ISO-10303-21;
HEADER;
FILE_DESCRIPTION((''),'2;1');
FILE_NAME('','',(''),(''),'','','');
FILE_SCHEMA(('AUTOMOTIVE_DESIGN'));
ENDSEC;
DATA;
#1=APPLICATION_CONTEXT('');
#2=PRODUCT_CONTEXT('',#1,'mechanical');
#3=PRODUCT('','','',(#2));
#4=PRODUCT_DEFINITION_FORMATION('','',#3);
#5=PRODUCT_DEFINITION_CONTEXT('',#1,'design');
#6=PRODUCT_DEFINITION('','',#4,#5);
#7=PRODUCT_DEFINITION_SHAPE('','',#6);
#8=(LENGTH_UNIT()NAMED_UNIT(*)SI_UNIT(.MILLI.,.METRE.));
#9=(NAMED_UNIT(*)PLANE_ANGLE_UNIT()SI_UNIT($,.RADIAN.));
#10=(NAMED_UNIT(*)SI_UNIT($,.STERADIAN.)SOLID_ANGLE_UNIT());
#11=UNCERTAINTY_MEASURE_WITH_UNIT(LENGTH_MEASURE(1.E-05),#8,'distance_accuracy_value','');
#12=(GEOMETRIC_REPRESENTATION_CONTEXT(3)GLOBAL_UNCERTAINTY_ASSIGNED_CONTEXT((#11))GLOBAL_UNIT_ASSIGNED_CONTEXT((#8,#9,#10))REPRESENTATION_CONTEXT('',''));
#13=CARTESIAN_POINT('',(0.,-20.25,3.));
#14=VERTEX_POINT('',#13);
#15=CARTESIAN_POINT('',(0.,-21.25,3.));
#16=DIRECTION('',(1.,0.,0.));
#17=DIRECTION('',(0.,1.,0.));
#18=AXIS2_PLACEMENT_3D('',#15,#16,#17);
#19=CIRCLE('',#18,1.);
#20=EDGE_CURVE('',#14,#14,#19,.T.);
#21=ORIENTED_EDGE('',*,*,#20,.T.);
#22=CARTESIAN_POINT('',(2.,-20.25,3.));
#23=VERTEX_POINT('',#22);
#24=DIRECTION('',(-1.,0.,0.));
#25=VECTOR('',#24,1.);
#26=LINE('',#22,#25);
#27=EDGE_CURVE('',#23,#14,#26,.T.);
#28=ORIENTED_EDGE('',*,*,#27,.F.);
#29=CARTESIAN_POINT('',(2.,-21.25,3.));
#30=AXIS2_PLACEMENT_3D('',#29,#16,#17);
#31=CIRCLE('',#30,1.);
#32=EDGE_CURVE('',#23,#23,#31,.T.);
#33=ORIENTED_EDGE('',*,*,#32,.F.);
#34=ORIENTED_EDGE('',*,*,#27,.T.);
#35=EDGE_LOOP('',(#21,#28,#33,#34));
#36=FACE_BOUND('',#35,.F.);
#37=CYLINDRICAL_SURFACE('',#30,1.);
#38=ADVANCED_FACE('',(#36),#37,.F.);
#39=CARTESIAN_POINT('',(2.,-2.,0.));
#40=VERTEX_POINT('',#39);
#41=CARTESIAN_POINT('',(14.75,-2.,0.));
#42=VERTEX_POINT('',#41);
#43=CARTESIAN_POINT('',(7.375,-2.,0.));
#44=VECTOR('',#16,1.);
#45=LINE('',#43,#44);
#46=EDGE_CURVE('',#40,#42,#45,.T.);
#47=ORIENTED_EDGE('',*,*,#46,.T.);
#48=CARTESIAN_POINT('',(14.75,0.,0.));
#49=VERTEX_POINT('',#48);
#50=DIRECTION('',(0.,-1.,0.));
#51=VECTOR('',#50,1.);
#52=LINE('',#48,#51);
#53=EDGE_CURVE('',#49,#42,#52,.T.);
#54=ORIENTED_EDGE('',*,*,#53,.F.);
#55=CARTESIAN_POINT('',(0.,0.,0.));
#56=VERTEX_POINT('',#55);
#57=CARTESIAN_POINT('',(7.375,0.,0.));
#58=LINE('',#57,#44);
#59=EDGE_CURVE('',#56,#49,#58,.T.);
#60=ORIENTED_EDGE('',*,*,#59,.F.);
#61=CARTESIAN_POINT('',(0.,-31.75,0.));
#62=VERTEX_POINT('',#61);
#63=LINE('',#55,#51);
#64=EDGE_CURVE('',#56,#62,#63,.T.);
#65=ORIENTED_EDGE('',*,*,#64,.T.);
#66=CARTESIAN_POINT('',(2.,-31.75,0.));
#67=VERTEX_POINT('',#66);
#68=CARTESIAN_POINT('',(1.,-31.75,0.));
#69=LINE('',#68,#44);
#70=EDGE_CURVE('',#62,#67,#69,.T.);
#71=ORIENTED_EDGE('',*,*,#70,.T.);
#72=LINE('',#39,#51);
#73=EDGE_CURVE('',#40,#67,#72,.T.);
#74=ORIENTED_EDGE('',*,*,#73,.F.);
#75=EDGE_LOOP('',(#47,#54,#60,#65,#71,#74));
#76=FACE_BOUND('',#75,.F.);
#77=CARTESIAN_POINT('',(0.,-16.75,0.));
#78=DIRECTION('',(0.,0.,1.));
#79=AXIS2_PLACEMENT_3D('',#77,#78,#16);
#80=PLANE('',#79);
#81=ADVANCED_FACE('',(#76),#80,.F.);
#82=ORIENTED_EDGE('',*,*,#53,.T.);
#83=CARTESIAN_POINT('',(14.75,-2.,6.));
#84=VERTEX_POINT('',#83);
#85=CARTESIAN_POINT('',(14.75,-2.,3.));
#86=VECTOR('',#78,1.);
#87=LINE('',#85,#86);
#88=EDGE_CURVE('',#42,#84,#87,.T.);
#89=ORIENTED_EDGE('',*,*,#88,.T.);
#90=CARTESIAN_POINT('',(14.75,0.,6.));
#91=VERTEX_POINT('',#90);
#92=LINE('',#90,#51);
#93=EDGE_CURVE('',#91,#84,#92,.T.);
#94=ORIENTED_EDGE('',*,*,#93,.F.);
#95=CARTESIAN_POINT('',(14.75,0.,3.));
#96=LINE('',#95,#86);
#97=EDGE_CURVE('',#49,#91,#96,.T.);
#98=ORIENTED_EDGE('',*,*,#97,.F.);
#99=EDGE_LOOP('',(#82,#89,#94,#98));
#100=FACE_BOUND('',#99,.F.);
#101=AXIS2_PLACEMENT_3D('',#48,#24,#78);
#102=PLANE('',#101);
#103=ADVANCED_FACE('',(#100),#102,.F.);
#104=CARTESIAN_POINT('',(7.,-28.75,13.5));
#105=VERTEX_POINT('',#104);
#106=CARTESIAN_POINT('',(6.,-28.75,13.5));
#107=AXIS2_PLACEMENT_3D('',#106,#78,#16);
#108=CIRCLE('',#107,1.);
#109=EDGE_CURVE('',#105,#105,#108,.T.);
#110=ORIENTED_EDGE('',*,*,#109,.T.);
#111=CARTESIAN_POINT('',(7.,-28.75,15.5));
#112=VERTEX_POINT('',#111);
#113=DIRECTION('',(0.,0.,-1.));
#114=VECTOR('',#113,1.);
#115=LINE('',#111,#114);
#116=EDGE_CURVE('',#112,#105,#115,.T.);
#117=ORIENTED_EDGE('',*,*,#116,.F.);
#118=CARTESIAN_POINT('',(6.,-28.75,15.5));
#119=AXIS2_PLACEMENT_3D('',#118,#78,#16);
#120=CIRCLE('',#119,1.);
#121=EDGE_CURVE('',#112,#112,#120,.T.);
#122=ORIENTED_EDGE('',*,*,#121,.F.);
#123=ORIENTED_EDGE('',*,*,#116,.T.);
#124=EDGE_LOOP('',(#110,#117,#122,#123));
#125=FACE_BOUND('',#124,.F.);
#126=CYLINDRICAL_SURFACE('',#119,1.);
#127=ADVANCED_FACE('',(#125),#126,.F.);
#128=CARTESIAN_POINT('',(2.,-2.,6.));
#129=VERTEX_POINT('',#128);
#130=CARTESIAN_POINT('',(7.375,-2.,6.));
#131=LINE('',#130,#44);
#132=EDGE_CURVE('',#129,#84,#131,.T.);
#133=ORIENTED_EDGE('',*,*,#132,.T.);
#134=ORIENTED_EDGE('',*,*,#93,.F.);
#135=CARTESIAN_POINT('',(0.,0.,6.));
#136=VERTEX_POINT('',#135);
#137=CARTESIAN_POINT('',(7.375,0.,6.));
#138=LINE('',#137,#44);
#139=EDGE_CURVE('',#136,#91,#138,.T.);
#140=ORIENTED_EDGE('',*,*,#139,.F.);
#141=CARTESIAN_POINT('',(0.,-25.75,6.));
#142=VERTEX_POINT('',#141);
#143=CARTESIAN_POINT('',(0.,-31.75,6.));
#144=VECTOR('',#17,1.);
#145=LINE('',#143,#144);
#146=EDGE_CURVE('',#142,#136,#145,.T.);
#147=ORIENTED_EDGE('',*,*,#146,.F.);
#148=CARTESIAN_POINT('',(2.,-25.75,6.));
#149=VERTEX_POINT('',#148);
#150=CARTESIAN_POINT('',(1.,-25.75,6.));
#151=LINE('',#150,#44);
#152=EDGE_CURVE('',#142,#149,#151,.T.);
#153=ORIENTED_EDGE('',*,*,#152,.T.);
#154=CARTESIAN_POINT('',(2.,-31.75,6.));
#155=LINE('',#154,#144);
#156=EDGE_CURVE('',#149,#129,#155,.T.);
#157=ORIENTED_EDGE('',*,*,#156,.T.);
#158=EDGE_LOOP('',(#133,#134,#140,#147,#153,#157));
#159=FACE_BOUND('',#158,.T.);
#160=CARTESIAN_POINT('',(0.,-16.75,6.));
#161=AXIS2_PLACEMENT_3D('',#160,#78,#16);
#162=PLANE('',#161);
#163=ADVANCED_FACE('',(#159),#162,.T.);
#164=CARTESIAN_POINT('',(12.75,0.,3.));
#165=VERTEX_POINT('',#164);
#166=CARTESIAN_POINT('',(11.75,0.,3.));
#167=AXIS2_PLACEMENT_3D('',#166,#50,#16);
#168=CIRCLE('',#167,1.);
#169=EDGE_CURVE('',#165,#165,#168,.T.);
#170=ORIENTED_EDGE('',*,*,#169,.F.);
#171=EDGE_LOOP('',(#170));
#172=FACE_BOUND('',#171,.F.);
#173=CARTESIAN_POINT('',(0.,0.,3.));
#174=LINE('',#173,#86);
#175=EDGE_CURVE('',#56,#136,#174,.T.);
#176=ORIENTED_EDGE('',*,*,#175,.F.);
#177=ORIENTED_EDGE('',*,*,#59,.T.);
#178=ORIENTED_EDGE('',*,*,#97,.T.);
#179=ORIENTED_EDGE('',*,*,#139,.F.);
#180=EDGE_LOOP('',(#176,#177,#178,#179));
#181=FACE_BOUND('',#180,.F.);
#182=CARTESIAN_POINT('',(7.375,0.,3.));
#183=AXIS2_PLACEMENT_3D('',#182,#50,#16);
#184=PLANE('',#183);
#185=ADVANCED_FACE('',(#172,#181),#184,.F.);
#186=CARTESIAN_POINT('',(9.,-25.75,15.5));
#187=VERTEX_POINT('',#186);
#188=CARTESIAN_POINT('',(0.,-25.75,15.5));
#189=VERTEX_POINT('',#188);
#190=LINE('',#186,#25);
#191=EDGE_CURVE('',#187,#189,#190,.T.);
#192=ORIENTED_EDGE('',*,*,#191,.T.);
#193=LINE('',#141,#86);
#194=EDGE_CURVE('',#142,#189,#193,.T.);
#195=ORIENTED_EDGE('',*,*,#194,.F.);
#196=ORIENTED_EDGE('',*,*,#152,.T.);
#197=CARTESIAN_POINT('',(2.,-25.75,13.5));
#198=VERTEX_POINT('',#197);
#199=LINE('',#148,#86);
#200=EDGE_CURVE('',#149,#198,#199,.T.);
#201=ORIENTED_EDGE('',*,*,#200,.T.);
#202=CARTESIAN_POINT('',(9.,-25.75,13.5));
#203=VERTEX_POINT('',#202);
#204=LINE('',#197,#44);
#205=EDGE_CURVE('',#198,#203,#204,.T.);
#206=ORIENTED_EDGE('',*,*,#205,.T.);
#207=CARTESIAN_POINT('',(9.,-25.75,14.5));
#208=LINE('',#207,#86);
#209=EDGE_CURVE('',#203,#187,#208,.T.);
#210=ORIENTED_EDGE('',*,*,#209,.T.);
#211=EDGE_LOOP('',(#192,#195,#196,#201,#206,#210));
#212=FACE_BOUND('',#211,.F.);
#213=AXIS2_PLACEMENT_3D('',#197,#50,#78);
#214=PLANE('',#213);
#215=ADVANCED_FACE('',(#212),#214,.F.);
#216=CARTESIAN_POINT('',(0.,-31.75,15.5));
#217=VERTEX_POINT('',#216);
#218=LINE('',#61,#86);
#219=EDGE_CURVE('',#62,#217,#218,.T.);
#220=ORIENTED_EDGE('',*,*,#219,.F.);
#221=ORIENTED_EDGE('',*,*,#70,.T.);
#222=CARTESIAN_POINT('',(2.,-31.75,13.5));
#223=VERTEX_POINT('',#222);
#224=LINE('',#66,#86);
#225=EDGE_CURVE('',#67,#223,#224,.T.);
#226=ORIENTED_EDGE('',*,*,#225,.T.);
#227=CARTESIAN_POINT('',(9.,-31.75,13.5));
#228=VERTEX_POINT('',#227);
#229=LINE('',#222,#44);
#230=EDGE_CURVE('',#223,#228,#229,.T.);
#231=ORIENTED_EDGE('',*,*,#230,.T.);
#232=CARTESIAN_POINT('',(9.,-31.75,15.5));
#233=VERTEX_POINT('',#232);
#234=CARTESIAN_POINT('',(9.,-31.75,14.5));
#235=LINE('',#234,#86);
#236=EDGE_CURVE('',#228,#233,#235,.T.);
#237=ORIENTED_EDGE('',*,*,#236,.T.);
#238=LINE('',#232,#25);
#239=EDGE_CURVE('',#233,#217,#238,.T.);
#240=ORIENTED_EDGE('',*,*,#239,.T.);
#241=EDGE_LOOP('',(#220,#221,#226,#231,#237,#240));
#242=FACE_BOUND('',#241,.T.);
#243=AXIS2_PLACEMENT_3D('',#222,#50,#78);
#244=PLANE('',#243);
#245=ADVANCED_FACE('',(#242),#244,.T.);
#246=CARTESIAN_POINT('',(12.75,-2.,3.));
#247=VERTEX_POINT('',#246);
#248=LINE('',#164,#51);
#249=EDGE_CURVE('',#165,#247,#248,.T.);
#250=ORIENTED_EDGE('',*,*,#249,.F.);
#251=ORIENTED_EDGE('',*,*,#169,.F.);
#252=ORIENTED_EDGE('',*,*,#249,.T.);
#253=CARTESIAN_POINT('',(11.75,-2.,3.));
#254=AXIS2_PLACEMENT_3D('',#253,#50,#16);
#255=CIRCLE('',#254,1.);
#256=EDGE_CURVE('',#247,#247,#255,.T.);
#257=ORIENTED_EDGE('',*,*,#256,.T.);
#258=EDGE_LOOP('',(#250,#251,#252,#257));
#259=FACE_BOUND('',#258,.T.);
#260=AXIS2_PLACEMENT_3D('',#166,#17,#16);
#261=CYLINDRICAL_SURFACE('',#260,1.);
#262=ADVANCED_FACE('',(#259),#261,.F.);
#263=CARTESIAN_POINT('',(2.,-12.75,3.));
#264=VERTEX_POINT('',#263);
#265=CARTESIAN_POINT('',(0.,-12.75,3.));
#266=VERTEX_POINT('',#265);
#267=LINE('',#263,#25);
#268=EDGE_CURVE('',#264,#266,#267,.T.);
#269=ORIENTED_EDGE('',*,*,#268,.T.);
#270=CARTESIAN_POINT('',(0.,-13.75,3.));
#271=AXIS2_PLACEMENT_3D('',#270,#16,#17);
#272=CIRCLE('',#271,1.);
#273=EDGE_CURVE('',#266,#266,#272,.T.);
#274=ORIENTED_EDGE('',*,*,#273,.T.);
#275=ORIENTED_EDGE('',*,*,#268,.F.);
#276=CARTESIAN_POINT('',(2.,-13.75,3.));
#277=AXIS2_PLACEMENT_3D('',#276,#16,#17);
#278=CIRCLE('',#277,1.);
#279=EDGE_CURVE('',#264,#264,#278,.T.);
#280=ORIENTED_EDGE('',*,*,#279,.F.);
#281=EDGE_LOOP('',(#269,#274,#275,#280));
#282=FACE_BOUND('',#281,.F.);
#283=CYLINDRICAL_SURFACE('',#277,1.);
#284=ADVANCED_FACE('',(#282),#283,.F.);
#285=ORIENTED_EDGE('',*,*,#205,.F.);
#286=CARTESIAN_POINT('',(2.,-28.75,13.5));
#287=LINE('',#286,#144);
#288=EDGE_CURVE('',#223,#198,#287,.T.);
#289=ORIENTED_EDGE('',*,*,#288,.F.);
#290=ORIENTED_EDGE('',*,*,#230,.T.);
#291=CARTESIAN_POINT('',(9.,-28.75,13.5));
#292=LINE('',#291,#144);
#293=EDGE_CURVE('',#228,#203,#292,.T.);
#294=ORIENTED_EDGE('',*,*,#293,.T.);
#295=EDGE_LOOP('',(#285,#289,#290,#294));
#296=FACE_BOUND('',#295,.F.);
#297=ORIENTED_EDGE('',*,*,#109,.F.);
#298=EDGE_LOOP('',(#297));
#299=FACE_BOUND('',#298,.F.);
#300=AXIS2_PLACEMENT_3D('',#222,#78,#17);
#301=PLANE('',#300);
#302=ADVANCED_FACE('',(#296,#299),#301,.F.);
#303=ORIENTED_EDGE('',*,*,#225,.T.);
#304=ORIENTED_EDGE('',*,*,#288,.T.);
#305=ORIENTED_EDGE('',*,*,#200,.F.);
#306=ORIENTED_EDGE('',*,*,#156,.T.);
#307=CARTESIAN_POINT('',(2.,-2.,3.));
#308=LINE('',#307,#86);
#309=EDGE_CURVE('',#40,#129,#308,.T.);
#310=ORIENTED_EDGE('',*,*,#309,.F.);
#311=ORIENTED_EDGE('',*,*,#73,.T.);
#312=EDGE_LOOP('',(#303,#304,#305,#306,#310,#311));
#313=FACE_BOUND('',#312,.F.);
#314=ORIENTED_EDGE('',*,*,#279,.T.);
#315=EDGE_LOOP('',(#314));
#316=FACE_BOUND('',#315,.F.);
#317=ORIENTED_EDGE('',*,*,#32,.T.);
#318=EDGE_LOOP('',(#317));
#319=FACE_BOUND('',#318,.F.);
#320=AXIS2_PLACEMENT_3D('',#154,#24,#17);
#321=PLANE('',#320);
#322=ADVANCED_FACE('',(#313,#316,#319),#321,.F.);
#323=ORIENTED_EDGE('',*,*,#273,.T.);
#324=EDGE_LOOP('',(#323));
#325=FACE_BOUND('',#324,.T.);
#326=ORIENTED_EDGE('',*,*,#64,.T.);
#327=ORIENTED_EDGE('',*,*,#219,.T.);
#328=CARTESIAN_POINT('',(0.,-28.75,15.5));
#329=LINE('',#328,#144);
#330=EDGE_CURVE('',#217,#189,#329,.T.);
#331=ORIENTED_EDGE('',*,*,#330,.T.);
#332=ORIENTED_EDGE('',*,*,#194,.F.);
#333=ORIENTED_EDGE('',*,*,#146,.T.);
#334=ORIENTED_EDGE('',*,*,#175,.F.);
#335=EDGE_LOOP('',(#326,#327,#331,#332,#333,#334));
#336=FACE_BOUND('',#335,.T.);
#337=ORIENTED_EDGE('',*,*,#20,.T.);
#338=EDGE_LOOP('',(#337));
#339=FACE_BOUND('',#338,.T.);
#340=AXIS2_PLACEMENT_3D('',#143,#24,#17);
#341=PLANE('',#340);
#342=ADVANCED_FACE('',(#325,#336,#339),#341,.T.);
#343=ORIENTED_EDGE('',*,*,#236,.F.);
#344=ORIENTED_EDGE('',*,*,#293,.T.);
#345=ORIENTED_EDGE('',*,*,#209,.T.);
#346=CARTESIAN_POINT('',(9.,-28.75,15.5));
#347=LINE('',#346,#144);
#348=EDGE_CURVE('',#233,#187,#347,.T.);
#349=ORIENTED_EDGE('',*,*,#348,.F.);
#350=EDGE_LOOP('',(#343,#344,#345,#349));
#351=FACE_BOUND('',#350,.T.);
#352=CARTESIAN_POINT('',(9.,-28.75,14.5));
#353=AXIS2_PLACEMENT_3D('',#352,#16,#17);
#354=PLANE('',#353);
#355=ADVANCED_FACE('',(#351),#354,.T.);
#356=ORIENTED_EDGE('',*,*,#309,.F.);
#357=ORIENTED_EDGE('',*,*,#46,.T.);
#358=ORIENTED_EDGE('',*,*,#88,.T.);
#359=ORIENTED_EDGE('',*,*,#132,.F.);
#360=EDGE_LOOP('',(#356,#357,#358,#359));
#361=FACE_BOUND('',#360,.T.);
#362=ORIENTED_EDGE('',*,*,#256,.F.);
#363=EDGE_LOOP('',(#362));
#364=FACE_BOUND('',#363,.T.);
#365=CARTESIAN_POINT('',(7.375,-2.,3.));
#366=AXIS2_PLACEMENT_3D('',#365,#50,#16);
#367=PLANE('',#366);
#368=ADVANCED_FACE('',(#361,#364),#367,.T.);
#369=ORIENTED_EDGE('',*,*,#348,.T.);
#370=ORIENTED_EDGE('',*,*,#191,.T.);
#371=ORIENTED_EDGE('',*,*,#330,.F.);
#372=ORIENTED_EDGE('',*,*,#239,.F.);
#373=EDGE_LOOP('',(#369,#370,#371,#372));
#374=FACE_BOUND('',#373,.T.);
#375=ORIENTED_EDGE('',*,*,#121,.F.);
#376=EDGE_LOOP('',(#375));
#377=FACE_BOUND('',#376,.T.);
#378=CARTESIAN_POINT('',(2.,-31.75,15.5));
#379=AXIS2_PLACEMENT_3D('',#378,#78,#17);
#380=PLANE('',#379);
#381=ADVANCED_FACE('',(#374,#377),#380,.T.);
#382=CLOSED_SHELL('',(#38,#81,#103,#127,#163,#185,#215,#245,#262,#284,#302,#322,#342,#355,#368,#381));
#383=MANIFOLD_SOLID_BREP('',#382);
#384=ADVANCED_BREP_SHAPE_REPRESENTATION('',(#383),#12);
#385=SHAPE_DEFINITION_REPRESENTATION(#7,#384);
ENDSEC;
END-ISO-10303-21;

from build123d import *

# Parameters (mm, degrees)
F0_W      = 14.75
F0_H      = 6
F0_R      = 1
F1_DEPTH  = 2
F2_W      = 2
F2_H      = 6
F3_DEPTH  = 14.75
F4_R      = 1
F5_DEPTH  = 25
F6_W      = 2
F6_H      = 6
F7_DEPTH  = 15
F8_R      = 1
F9_DEPTH  = 25
F10_W     = 2
F10_H     = 6
F11_DEPTH = 9.5
F12_W     = 6
F12_H     = 2
F13_DEPTH = 7
F14_R     = 1
F15_DEPTH = 25


with BuildPart() as f1:
    # F0 (on Front) → F1 (new body)
    with BuildSketch(Plane.XZ):
        with Locations((7.375, 3)):
            Rectangle(F0_W, F0_H)
        with Locations((11.75, 3)):
            Circle(F0_R, mode=Mode.SUBTRACT)
    extrude(amount=F1_DEPTH)

    # F2 (on face) → F3 (join)
    with BuildSketch(Plane.XZ.offset(2)):
        with Locations((1, 3)):
            Rectangle(F2_W, F2_H)
    extrude(amount=F3_DEPTH)

    # F4 (on face) → F5 (cut)
    with BuildSketch(Plane.YZ.offset(2)):
        with Locations((-13.75, 3)):
            Circle(F4_R)
    extrude(amount=-F5_DEPTH, mode=Mode.SUBTRACT)

    # F6 (on face) → F7 (join)
    with BuildSketch(Plane.XZ.offset(16.75)):
        with Locations((1, 3)):
            Rectangle(F6_W, F6_H)
    extrude(amount=F7_DEPTH)

    # F8 (on face) → F9 (cut)
    with BuildSketch(Plane.YZ.offset(2)):
        with Locations((-21.25, 3)):
            Circle(F8_R)
    extrude(amount=-F9_DEPTH, mode=Mode.SUBTRACT)

    # F10 (on face) → F11 (join)
    with BuildSketch(Plane.XY.offset(6)):
        with Locations((1, -28.75)):
            Rectangle(F10_W, F10_H)
    extrude(amount=F11_DEPTH)

    # F12 (on face) → F13 (join)
    with BuildSketch(Plane.YZ.offset(2)):
        with Locations((-28.75, 14.5)):
            Rectangle(F12_W, F12_H)
    extrude(amount=F13_DEPTH)

    # F14 (on face) → F15 (cut)
    with BuildSketch(Plane.XY.offset(15.5)):
        with Locations((6, -28.75)):
            Circle(F14_R)
    extrude(amount=-F15_DEPTH, mode=Mode.SUBTRACT)


solid = f1.part
